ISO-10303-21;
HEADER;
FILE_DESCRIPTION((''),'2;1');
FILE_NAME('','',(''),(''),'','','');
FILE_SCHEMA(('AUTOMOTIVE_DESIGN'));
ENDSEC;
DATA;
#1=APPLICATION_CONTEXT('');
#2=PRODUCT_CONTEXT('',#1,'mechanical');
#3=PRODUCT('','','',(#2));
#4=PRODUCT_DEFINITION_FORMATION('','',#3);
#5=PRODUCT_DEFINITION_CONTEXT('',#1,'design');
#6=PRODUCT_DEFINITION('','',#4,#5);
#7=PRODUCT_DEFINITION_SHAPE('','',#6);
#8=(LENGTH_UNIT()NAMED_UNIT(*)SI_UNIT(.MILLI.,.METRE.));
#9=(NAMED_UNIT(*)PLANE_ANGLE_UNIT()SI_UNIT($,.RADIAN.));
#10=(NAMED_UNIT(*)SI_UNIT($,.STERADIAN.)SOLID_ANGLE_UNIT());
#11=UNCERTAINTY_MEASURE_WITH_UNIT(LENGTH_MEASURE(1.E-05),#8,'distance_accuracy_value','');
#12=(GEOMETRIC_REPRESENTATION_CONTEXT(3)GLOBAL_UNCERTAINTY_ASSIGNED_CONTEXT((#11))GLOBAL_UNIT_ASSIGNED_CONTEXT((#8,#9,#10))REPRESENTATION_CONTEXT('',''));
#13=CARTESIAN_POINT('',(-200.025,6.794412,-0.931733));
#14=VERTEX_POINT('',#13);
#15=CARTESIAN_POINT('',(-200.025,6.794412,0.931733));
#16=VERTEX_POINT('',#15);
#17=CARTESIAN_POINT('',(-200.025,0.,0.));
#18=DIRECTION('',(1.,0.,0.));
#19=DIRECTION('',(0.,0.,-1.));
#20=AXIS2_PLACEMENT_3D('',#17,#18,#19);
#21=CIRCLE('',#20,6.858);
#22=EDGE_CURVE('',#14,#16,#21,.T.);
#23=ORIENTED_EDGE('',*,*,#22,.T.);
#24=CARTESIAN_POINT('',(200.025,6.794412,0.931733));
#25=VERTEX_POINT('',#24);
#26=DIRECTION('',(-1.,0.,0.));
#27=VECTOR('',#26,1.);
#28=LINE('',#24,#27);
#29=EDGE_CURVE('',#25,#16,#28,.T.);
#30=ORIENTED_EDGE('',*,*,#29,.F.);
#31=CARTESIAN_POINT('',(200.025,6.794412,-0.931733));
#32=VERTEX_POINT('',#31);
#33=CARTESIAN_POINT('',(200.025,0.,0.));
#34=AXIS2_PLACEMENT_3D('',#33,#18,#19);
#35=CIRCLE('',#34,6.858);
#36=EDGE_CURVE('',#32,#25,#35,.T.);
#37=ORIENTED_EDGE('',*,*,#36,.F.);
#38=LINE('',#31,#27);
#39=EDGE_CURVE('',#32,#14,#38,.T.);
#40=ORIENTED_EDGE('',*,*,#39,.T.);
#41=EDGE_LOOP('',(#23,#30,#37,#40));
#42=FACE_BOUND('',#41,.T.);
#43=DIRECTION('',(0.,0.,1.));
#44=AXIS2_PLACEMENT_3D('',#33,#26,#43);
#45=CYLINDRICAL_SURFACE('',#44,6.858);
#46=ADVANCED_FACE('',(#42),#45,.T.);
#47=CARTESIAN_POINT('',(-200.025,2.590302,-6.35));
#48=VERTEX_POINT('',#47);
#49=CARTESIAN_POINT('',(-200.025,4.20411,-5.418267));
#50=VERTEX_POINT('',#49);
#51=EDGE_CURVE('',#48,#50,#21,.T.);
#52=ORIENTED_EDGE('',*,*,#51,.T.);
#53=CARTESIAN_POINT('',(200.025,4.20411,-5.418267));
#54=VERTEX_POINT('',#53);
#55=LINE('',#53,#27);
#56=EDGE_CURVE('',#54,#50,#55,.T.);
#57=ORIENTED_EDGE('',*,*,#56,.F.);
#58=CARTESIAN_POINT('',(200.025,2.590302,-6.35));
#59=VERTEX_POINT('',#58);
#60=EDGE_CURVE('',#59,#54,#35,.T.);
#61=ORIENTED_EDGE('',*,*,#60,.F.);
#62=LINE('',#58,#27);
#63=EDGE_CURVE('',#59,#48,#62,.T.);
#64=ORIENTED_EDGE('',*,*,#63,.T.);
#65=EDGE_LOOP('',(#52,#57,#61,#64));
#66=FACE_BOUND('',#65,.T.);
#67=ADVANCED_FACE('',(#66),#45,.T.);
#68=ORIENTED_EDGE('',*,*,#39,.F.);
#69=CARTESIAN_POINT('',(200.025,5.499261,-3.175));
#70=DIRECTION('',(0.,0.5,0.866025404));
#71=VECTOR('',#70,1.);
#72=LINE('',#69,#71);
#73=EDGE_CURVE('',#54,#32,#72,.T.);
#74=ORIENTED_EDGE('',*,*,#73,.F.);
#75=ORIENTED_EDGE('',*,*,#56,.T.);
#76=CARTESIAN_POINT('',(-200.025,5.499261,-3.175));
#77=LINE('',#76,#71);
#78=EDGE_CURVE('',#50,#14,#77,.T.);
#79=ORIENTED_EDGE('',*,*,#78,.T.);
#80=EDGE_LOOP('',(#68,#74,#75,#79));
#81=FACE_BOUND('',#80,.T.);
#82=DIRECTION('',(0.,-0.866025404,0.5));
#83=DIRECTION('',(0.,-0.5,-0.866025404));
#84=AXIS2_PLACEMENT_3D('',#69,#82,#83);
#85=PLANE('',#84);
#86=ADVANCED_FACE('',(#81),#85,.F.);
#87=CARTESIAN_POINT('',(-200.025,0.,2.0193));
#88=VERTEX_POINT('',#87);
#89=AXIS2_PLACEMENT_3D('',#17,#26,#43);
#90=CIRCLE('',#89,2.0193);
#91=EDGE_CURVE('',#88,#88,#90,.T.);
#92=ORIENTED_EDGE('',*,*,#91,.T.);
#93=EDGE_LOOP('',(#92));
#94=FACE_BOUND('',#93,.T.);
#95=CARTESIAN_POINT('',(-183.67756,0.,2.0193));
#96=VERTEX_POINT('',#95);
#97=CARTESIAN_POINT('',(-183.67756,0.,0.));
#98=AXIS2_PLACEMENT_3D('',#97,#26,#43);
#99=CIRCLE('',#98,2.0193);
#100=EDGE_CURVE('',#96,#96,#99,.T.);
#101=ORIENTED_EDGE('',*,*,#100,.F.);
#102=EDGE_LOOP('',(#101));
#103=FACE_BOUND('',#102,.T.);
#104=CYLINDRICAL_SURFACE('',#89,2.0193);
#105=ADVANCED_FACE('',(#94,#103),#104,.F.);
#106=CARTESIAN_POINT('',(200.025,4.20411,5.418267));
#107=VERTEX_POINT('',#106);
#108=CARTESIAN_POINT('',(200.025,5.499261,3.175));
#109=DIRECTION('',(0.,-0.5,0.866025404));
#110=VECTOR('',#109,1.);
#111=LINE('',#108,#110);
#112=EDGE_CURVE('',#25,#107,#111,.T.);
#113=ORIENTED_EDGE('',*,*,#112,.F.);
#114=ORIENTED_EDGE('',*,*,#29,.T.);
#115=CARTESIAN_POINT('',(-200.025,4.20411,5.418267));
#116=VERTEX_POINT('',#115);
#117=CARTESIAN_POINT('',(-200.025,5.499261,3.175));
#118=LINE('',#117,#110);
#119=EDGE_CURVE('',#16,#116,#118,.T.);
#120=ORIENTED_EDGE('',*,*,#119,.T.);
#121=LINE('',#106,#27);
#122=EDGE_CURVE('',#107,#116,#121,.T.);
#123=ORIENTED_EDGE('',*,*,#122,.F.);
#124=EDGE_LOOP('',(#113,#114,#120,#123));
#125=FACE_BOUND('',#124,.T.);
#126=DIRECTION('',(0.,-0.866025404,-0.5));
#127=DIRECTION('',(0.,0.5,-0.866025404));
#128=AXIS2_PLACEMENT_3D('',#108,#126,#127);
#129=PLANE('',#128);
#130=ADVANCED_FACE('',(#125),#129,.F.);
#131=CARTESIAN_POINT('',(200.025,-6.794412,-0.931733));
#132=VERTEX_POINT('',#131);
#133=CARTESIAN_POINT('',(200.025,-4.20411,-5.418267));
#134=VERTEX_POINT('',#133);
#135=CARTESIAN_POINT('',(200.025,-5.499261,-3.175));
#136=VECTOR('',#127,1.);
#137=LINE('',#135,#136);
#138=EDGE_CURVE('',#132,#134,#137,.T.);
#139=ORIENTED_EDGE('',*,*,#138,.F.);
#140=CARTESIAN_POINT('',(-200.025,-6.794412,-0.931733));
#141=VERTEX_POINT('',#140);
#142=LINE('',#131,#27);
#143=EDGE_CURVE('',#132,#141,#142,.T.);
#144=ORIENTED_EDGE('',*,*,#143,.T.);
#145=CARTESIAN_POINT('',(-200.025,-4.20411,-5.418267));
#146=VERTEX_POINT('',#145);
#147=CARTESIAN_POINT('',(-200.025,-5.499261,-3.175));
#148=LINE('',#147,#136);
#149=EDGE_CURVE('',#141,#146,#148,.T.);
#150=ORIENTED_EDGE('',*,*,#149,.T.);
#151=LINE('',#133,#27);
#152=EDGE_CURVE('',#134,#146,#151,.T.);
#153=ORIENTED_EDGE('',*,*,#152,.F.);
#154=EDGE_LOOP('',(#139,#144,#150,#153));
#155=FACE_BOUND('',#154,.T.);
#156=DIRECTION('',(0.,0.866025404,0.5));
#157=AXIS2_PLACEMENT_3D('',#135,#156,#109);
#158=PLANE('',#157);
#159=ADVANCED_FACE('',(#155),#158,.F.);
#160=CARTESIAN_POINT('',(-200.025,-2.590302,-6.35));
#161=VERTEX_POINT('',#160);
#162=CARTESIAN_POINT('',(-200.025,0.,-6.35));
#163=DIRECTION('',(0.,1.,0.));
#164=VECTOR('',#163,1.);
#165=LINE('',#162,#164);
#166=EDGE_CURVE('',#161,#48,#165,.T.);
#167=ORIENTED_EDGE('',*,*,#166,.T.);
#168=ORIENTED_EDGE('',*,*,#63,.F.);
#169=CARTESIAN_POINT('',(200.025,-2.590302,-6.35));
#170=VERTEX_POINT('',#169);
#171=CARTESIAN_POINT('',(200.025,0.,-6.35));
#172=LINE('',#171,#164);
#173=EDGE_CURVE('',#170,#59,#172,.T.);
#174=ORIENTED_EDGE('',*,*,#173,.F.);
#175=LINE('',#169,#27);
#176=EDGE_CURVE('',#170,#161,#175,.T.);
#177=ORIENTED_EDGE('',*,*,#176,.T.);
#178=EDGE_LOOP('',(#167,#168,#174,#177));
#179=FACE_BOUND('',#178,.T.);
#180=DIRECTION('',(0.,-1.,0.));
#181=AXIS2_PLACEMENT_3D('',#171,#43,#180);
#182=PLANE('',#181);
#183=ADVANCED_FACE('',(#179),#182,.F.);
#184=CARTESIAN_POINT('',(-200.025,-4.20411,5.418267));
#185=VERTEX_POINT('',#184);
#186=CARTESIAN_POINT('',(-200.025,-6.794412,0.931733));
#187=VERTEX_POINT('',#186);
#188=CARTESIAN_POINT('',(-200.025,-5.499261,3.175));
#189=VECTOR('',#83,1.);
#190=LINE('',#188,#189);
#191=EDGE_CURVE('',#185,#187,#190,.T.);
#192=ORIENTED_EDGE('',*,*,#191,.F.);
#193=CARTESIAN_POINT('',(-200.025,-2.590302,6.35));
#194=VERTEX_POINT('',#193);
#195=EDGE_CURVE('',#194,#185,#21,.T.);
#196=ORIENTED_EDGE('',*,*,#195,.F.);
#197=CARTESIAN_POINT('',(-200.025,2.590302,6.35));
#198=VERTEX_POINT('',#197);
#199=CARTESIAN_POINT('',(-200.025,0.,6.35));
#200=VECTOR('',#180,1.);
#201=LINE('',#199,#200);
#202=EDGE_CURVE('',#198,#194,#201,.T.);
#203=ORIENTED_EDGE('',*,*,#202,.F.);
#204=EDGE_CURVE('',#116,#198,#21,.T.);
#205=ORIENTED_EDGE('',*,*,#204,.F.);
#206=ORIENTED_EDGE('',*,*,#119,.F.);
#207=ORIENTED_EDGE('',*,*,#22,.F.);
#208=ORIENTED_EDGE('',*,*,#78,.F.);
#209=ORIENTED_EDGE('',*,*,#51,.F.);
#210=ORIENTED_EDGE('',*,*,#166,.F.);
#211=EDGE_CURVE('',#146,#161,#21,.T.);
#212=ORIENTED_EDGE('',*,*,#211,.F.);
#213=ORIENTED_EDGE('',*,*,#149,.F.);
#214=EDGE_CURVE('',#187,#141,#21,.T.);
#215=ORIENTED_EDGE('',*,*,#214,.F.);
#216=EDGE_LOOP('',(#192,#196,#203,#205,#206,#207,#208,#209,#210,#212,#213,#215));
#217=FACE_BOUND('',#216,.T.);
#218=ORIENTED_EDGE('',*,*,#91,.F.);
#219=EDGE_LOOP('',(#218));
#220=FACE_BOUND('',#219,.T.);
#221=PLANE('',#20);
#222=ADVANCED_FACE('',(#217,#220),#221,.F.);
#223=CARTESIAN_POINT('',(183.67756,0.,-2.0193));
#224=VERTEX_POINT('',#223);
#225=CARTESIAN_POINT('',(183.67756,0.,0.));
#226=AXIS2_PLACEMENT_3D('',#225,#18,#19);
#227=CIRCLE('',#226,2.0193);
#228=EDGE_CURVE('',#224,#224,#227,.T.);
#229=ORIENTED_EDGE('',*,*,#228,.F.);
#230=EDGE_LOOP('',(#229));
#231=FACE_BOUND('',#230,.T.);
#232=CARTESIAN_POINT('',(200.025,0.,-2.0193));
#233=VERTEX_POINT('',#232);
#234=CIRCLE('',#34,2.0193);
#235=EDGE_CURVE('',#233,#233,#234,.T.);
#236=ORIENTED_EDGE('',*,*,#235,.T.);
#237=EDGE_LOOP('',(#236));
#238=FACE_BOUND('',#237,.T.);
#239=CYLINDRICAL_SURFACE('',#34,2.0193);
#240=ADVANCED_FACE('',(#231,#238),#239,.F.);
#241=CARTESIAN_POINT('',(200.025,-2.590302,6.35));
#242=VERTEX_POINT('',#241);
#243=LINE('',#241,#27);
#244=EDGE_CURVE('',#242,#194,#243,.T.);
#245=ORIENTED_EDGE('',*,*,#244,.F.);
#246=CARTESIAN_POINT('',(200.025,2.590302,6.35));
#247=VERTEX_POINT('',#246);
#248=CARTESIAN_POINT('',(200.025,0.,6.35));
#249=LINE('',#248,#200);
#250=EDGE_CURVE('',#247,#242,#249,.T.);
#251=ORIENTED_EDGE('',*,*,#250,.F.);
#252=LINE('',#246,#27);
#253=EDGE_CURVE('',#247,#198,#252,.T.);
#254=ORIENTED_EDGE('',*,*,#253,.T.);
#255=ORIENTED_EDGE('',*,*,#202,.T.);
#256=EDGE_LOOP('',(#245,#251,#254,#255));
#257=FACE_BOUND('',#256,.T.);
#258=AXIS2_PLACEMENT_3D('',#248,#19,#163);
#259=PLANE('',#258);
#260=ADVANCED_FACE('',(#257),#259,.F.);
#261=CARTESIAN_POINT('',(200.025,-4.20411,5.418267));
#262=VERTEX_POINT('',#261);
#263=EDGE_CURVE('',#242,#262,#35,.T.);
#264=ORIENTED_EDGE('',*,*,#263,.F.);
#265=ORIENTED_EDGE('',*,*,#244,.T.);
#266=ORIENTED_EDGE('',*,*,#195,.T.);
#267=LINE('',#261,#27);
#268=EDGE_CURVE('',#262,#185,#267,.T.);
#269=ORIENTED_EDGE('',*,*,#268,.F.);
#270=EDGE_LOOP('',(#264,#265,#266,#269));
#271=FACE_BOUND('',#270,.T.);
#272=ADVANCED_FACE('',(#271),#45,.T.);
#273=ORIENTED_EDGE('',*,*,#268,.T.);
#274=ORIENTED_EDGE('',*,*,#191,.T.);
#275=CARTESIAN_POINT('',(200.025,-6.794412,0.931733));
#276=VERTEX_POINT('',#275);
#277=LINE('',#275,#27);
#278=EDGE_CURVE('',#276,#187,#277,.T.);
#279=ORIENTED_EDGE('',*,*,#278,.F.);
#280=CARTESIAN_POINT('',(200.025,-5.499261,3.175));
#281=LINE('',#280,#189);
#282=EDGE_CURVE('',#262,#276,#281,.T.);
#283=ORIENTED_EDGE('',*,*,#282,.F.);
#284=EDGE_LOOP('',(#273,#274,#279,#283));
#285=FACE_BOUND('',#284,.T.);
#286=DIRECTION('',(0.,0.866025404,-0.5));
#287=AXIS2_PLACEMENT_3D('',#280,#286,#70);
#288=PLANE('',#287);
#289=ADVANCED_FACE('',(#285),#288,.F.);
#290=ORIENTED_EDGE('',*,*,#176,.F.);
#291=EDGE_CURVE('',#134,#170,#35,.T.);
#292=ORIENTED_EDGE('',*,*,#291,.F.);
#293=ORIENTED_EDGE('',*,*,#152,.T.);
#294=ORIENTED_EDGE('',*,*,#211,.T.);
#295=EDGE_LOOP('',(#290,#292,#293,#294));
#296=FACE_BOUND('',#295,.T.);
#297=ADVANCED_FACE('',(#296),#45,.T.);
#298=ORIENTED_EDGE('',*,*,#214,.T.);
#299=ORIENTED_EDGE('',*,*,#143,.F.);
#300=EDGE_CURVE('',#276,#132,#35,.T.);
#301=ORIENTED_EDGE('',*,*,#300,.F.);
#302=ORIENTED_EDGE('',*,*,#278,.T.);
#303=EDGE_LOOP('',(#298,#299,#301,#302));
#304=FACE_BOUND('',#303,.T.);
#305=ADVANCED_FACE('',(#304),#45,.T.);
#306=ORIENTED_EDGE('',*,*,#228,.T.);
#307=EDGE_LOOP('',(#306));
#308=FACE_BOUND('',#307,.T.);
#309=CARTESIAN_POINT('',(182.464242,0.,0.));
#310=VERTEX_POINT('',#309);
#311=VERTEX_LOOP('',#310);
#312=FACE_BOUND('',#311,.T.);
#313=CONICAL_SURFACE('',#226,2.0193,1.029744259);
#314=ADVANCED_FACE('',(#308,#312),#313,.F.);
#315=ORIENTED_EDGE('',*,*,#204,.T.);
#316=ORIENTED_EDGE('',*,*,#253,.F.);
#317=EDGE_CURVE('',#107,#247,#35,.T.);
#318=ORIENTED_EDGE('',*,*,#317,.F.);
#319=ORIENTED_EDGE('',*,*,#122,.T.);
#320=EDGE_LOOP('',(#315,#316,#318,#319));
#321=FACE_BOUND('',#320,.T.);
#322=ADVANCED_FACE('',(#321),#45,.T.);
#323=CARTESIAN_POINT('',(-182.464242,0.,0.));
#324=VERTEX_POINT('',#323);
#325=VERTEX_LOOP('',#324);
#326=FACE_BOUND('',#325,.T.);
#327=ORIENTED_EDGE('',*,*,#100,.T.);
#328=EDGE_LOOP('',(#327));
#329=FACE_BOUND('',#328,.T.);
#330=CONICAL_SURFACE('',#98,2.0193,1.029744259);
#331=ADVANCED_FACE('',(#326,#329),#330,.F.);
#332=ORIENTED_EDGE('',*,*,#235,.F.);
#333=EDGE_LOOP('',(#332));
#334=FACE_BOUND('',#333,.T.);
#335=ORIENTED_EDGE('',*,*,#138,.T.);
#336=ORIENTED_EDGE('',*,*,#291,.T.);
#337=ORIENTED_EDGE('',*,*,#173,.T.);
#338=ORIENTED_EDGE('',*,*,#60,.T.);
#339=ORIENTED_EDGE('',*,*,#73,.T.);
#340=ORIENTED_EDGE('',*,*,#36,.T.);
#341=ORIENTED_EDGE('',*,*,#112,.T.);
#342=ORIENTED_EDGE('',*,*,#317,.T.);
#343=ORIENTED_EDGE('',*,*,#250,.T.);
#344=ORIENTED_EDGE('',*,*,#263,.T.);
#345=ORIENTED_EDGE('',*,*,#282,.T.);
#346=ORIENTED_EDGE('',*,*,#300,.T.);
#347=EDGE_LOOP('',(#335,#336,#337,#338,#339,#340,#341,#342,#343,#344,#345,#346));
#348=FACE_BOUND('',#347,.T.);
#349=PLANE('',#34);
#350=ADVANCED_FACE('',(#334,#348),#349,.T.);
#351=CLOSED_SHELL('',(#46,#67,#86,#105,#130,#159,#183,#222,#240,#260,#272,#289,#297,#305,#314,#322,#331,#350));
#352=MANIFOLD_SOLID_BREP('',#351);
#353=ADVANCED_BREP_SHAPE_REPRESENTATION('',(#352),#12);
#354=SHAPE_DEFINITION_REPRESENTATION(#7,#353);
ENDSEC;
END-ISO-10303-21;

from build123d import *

# Parameters (mm, degrees)
BOSS_EXTRUDE1_DEPTH                  = 200.025
F_10_32_TAPPED_HOLE1_D               = 4.0386
F_10_32_TAPPED_HOLE1_DEPTH           = 16.34744
F_10_32_TAPPED_HOLE1_TIP             = 1.213317848
F_10_32_TAPPED_HOLE1_ON_FACE_2_D     = 4.0386
F_10_32_TAPPED_HOLE1_ON_FACE_2_DEPTH = 16.34744
F_10_32_TAPPED_HOLE1_ON_FACE_2_TIP   = 1.213317848


with BuildPart() as part:
    # Sketch1 → Boss-Extrude1 (new, symmetric)
    with BuildSketch(Plane(origin=(0, 0, 0), x_dir=(0, 0, -1), z_dir=(1, 0, 0))):
        with BuildLine():
            ThreePointArc((0.93173274, 6.79441227), (0, 6.858), (-0.93173274, 6.79441227))
            Line((-0.93173274, 6.79441227), (-5.41826726, 4.204110358))
            ThreePointArc((-5.41826726, 4.204110358), (-5.939202219, 3.429), (-6.35, 2.590301913))
            Line((-6.35, 2.590301913), (-6.35, -2.590301913))
            ThreePointArc((-6.35, -2.590301913), (-5.939202219, -3.429), (-5.41826726, -4.204110358))
            Line((-5.41826726, -4.204110358), (-0.93173274, -6.79441227))
            ThreePointArc((-0.93173274, -6.79441227), (0, -6.858), (0.93173274, -6.79441227))
            Line((0.93173274, -6.79441227), (5.41826726, -4.204110358))
            ThreePointArc((5.41826726, -4.204110358), (5.939202219, -3.429), (6.35, -2.590301913))
            Line((6.35, -2.590301913), (6.35, 2.590301913))
            ThreePointArc((6.35, 2.590301913), (5.939202219, 3.429), (5.41826726, 4.204110358))
            Line((5.41826726, 4.204110358), (0.93173274, 6.79441227))
        make_face()
    extrude(amount=BOSS_EXTRUDE1_DEPTH, both=True)

    # #10-32 Tapped Hole1
    with Locations(Plane(origin=(-200.025, 0, 0), x_dir=(0, 0, -1), z_dir=(-1, 0, 0))):
        with Locations((0, 0)):
            Hole(F_10_32_TAPPED_HOLE1_D / 2, depth=F_10_32_TAPPED_HOLE1_DEPTH)
            with Locations((0, 0, -(F_10_32_TAPPED_HOLE1_DEPTH + F_10_32_TAPPED_HOLE1_TIP / 2))):  # 118° drill point
                Cone(0, F_10_32_TAPPED_HOLE1_D / 2, F_10_32_TAPPED_HOLE1_TIP, mode=Mode.SUBTRACT)

    # #10-32 Tapped Hole1 on face 2
    with Locations(Plane(origin=(200.025, 0, 0), x_dir=(0, 0, 1), z_dir=(1, 0, 0))):
        with Locations((0, 0)):
            Hole(F_10_32_TAPPED_HOLE1_ON_FACE_2_D / 2, depth=F_10_32_TAPPED_HOLE1_ON_FACE_2_DEPTH)
            with Locations((0, 0, -(F_10_32_TAPPED_HOLE1_ON_FACE_2_DEPTH + F_10_32_TAPPED_HOLE1_ON_FACE_2_TIP / 2))):  # 118° drill point
                Cone(0, F_10_32_TAPPED_HOLE1_ON_FACE_2_D / 2, F_10_32_TAPPED_HOLE1_ON_FACE_2_TIP, mode=Mode.SUBTRACT)


solid = part.part
